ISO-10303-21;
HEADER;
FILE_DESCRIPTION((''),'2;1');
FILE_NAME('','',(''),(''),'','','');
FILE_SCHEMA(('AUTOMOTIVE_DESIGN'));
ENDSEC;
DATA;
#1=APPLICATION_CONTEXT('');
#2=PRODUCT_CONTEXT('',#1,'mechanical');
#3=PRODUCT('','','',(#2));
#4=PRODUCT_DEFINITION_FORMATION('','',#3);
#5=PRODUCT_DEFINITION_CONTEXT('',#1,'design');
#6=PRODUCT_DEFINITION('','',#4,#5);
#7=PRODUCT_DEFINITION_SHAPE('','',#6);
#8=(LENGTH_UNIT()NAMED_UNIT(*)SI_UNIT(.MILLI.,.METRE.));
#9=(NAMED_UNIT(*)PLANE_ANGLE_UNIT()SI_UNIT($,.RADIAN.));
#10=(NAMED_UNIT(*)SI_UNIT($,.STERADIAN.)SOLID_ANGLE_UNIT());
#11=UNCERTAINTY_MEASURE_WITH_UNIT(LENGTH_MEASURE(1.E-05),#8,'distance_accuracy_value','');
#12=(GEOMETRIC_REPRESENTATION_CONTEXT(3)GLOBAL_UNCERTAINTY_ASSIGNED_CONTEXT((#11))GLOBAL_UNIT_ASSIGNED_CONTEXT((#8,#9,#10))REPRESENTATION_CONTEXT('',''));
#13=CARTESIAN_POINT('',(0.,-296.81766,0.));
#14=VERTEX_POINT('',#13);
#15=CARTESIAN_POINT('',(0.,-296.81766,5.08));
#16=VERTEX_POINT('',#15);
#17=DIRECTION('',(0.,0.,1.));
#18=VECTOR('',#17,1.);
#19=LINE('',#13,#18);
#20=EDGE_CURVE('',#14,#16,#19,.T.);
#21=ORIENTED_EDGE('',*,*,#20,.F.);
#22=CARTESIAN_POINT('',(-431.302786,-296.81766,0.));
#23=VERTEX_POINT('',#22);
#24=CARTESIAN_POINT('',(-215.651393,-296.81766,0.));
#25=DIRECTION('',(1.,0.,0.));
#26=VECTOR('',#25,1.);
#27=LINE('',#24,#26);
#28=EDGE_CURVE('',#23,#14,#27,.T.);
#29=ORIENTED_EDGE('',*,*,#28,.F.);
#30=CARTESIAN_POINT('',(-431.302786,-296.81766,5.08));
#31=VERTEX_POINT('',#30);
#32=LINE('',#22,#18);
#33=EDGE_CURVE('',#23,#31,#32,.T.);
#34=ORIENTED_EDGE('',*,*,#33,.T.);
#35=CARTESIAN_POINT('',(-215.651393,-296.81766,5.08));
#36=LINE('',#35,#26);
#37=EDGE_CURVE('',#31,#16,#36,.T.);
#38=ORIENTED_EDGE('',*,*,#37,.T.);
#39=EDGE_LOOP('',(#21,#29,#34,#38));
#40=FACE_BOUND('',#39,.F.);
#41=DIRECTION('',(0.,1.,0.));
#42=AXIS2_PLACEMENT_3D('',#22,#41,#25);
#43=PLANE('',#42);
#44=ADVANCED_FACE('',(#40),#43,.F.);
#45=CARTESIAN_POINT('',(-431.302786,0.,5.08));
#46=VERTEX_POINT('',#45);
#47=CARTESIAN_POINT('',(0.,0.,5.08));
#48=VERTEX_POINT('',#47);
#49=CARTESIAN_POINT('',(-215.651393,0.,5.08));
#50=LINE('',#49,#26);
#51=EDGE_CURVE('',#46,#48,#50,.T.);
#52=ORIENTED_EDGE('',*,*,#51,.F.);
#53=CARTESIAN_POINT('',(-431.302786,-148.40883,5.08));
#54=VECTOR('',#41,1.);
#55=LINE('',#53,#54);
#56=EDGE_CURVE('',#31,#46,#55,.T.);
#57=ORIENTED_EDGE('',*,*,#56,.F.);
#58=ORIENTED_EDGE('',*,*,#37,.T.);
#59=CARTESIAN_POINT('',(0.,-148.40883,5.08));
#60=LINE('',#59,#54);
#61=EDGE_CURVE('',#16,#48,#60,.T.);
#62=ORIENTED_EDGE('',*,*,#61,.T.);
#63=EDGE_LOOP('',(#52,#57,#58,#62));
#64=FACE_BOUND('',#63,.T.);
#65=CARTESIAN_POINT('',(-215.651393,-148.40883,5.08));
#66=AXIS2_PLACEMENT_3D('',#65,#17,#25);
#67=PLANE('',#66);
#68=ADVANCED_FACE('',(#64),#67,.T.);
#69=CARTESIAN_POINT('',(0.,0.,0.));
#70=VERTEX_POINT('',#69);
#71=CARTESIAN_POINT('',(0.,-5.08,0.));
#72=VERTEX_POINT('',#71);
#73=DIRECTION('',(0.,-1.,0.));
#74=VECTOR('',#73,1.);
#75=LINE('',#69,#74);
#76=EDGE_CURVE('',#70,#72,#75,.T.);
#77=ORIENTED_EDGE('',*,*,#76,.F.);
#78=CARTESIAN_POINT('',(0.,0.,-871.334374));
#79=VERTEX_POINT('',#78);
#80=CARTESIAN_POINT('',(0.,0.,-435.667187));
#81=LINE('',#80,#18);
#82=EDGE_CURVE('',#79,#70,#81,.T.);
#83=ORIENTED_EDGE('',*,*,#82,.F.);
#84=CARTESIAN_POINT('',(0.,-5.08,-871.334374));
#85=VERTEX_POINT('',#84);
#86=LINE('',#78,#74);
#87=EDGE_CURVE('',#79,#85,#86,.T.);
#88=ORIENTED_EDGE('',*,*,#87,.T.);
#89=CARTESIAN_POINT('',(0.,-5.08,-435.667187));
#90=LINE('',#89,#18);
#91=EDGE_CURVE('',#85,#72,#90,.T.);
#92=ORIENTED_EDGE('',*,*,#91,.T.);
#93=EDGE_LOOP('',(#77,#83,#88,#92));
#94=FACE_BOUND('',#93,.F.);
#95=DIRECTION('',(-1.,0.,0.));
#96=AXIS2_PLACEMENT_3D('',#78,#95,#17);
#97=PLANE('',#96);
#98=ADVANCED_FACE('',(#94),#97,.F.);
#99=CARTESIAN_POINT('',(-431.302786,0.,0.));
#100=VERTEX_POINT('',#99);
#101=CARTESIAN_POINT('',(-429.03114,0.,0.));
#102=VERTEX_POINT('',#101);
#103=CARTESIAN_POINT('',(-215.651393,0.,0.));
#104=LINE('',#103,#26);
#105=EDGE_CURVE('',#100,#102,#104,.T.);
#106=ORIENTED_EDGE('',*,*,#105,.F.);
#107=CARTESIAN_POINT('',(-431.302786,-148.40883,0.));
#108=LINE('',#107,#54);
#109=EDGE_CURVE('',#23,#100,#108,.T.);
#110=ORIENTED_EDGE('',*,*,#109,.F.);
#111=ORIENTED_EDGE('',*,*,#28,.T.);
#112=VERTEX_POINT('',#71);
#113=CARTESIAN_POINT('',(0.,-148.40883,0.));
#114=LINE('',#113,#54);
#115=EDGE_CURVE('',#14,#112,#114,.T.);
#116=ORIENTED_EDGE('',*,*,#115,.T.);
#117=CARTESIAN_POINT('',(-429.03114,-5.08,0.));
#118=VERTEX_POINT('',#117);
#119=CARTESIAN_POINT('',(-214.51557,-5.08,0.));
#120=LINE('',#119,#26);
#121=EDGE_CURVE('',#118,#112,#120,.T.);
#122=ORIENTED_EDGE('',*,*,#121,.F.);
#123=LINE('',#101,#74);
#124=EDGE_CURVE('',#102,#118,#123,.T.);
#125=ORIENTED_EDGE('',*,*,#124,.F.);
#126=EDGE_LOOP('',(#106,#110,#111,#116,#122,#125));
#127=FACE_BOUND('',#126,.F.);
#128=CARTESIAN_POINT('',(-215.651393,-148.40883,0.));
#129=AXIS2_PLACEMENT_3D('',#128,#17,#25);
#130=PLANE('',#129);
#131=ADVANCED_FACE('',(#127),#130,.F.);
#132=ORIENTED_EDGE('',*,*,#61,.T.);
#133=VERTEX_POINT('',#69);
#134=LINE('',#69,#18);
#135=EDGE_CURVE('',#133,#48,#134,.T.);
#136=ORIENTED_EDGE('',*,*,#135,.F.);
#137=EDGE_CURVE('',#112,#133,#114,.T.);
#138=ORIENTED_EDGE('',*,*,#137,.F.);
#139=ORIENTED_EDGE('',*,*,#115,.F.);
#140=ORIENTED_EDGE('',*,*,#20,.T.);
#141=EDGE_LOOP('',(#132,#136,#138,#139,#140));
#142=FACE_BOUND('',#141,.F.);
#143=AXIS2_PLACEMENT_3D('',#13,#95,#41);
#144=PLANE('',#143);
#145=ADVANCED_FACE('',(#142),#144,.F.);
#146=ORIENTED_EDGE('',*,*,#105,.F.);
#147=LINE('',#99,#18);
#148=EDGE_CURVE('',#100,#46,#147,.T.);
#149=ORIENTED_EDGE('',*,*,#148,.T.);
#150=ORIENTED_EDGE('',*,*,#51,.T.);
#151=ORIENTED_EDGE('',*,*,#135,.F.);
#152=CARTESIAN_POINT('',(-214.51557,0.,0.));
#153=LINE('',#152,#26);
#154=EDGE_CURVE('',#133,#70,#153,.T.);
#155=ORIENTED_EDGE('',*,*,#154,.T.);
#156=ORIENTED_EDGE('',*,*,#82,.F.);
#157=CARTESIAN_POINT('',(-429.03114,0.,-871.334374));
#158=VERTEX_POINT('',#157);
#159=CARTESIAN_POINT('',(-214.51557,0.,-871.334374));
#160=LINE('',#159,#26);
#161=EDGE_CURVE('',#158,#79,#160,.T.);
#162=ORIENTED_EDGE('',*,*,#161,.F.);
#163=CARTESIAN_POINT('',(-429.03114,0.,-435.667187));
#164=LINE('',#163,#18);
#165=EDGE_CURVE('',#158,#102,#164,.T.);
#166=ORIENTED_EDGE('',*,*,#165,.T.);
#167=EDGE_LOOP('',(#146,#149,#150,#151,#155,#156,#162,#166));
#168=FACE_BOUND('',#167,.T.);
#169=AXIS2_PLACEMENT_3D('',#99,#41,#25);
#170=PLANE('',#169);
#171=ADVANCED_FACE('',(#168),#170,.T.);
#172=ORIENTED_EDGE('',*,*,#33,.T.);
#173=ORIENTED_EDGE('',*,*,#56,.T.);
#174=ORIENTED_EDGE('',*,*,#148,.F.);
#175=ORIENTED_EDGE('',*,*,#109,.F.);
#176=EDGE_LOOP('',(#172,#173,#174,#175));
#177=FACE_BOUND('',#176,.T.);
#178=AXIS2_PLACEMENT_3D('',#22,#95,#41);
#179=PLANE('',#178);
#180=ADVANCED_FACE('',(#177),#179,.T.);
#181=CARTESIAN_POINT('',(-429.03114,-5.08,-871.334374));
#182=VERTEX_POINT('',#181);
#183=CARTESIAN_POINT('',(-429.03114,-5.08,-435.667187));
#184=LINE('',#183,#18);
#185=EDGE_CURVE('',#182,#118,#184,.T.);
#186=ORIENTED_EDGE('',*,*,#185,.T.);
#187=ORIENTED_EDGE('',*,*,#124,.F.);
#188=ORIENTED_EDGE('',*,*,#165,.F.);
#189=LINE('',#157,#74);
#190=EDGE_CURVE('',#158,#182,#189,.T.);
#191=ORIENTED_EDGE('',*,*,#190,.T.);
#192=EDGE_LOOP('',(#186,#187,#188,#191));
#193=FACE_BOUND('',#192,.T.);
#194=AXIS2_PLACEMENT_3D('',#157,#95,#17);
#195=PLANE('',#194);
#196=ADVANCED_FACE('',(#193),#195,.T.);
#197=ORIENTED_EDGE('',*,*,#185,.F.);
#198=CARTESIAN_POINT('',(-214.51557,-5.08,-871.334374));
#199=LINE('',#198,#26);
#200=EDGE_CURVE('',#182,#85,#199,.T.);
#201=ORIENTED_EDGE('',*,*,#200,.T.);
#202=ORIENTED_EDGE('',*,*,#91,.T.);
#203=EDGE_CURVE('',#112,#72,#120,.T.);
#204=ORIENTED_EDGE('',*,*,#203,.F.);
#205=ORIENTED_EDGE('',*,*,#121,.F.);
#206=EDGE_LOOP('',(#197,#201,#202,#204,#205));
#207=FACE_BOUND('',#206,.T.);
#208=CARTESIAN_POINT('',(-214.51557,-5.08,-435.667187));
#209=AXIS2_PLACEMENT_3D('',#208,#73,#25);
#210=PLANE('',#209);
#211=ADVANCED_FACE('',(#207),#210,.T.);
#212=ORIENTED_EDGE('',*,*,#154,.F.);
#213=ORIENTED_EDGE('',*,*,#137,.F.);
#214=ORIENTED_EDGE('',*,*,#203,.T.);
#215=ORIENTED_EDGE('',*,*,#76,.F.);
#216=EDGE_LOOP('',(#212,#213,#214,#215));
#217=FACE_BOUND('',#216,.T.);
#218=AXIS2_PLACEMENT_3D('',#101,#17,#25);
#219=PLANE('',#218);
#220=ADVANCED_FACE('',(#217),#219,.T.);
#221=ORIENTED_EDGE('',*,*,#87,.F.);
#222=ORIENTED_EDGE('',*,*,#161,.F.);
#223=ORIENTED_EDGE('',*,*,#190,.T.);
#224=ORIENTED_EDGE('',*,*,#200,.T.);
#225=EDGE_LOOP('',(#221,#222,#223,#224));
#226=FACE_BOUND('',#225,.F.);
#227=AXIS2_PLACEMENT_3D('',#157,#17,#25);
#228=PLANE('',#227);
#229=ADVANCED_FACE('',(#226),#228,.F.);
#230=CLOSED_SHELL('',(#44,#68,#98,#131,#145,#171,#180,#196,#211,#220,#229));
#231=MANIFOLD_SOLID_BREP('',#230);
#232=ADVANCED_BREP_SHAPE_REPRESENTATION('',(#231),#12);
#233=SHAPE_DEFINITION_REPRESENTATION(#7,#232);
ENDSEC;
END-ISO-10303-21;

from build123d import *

# Parameters (mm, degrees)
F0_W     = 429.031141
F0_H     = 871.334374
F1_DEPTH = 5.08
F2_W     = 431.302786
F2_H     = 296.81766
F3_DEPTH = 5.08


with BuildPart() as f1:
    # F0 (on Front) → F1 (new body)
    with BuildSketch(Plane.XZ):
        with Locations((-214.51557, -435.667187)):
            Rectangle(F0_W, F0_H)
    extrude(amount=F1_DEPTH)

    # F2 (on Top) → F3 (join)
    with BuildSketch(Plane.XY):
        with Locations((-215.651393, -148.40883)):
            Rectangle(F2_W, F2_H)
    extrude(amount=F3_DEPTH)


solid = f1.part
